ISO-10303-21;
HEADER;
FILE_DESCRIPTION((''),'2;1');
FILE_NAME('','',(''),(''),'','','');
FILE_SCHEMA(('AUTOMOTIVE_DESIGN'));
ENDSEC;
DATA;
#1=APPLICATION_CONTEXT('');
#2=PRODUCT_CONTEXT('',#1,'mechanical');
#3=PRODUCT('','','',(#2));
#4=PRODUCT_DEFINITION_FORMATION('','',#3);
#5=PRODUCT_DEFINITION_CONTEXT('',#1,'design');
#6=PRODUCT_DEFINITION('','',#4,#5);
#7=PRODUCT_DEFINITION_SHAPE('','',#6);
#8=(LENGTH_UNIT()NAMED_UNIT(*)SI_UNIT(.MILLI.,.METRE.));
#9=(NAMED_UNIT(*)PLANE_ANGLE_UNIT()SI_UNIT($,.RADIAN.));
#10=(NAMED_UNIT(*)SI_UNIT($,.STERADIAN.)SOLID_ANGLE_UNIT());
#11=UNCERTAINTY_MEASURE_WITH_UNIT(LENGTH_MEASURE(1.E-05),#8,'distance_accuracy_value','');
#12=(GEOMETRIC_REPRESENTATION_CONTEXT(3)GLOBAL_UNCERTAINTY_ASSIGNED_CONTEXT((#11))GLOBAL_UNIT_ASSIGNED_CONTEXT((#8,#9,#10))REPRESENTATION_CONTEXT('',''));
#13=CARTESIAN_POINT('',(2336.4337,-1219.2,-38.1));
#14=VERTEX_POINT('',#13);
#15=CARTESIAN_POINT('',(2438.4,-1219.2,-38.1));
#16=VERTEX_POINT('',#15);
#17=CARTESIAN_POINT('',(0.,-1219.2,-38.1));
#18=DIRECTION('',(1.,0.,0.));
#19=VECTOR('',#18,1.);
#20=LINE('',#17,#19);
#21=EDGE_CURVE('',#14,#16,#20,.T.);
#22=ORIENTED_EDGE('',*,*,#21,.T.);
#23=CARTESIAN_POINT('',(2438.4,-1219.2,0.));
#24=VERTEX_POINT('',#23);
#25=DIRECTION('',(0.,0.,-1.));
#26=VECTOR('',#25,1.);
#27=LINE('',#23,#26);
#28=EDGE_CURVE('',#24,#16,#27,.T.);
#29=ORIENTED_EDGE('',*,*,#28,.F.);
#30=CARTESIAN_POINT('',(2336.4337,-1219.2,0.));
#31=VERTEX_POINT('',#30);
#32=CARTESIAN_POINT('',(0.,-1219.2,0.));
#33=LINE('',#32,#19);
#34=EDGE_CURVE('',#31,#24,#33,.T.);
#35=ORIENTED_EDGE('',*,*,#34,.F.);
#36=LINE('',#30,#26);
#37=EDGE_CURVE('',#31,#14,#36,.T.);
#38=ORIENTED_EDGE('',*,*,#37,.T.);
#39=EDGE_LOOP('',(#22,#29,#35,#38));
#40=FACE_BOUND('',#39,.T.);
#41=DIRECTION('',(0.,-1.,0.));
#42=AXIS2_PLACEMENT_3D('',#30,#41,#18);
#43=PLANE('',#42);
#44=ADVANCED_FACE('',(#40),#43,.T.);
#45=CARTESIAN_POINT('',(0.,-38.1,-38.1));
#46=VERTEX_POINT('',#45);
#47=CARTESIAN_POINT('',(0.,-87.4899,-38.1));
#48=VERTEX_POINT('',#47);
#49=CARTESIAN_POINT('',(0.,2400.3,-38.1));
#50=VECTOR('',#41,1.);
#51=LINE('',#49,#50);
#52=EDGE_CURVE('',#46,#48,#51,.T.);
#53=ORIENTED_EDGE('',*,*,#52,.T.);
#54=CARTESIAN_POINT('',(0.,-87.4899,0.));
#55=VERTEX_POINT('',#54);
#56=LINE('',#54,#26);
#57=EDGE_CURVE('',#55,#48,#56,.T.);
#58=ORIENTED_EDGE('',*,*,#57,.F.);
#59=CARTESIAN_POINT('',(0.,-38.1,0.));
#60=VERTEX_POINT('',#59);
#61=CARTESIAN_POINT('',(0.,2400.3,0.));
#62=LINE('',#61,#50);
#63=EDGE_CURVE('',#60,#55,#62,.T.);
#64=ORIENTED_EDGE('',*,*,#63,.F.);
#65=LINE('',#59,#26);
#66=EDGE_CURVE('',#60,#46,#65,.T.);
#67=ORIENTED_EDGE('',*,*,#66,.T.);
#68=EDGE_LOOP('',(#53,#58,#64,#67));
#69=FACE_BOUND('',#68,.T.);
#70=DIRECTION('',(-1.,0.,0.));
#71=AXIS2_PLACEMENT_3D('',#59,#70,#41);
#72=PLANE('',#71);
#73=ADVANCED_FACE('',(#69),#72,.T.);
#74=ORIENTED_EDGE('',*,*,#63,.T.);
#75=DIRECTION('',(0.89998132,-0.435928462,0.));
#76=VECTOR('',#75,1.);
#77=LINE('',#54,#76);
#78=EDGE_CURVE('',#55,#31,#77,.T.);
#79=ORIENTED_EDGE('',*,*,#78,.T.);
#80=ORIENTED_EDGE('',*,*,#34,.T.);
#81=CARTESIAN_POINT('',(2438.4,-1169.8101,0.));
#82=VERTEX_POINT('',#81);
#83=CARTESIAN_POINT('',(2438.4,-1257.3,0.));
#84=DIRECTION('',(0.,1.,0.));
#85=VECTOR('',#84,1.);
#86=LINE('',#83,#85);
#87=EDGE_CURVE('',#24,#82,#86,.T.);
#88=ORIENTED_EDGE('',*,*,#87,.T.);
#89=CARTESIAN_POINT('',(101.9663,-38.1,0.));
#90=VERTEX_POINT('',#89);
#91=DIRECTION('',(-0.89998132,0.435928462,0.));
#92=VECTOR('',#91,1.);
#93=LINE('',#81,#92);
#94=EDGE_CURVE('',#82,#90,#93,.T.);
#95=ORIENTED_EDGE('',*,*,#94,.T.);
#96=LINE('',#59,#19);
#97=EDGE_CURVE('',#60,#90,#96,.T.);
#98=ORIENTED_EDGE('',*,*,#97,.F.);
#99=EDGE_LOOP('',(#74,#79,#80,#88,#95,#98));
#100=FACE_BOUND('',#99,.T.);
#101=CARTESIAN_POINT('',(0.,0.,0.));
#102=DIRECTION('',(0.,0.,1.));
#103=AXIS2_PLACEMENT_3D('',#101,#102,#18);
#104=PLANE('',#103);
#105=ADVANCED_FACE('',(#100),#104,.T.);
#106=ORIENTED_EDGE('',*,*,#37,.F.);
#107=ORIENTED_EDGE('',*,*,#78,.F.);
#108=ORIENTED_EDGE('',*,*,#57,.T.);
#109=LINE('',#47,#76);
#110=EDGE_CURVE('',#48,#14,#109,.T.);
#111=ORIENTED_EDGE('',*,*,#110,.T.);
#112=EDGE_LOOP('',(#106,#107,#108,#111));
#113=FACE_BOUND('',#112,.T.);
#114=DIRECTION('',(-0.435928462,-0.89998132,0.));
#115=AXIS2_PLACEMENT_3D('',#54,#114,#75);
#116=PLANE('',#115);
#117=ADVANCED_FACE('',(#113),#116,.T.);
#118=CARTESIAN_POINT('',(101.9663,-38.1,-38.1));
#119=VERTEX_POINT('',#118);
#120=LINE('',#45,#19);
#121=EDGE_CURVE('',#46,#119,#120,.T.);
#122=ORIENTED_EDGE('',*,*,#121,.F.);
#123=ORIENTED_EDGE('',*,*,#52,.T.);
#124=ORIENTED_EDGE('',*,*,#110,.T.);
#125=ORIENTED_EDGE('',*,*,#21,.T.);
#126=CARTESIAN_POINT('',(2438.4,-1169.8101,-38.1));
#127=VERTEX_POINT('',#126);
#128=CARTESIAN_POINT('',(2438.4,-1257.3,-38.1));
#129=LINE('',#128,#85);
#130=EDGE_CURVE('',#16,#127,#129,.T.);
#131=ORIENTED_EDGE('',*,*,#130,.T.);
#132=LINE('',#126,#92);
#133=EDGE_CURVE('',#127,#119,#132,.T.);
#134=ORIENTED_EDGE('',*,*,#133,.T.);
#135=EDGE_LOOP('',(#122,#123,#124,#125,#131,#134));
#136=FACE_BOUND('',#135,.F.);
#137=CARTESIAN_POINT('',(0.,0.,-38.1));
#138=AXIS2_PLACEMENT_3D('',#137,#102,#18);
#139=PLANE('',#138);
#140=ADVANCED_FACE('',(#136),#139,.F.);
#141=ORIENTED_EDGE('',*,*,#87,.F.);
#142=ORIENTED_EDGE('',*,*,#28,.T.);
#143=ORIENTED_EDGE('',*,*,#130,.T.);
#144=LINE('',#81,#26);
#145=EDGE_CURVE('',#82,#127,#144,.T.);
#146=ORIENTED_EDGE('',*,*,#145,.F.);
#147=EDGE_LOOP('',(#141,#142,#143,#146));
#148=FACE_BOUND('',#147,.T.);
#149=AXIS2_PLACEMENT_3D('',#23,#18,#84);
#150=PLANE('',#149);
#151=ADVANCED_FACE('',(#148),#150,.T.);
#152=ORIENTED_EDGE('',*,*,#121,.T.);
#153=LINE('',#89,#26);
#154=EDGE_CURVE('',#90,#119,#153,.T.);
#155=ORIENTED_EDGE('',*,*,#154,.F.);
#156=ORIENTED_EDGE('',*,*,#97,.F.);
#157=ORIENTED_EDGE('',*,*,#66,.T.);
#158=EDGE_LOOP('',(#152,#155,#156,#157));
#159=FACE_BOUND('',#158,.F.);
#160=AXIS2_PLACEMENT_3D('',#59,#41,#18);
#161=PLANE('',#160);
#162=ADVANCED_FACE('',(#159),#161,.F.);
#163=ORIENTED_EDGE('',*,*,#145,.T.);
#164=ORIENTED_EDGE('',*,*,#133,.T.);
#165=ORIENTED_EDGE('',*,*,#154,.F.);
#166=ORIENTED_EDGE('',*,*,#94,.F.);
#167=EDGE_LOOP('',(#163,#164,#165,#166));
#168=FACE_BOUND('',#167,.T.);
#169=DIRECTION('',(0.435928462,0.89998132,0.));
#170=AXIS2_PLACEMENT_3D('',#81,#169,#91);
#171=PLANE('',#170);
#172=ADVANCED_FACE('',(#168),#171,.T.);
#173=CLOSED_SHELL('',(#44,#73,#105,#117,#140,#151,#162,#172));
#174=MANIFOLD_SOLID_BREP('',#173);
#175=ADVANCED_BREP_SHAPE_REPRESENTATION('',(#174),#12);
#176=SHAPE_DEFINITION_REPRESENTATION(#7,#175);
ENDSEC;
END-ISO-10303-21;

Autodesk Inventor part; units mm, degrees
ref_plane "YZ Plane" through (0, 0, 0) normal (1, 0, 0) x (0, 1, 0)
ref_plane "XZ Plane" through (0, 0, 0) normal (0, 1, 0) x (-1, 0, 0)
ref_plane "XY Plane" through (0, 0, 0) normal (0, 0, 1) x (1, 0, 0)
sketch "Sketch1" plane through (0, 0, 0) normal (0, 0, 1) x (1, 0, 0)
  line L0 (0, -38.1) -> (2438.4, -38.1) projected
  line L1 (0, 2400.3) -> (0, -2476.5) projected
  line L2 (0, -1219.2) -> (2438.4, -1219.2) projected
  line L3 (2438.4, -1257.3) -> (2438.4, 2400.3) projected
  line L4 (2438.4, -1169.8101) -> (101.9663, -38.1)
  line L5 (0, -87.4899) -> (2336.4337, -1219.2)
  line L6 (101.9663, -38.1) -> (0, -38.1)
  line L7 (0, -87.4899) -> (0, -38.1)
  line L8 (2438.4, -1169.8101) -> (2438.4, -1219.2)
  line L9 (2336.4337, -1219.2) -> (2438.4, -1219.2)
  point P0 (0, 0)
extrude "Extrusion1" add sketch "Sketch1" against normal blind 38.1 contours L0 L4 L3 L2 L5 L1
properties part number "side1"
